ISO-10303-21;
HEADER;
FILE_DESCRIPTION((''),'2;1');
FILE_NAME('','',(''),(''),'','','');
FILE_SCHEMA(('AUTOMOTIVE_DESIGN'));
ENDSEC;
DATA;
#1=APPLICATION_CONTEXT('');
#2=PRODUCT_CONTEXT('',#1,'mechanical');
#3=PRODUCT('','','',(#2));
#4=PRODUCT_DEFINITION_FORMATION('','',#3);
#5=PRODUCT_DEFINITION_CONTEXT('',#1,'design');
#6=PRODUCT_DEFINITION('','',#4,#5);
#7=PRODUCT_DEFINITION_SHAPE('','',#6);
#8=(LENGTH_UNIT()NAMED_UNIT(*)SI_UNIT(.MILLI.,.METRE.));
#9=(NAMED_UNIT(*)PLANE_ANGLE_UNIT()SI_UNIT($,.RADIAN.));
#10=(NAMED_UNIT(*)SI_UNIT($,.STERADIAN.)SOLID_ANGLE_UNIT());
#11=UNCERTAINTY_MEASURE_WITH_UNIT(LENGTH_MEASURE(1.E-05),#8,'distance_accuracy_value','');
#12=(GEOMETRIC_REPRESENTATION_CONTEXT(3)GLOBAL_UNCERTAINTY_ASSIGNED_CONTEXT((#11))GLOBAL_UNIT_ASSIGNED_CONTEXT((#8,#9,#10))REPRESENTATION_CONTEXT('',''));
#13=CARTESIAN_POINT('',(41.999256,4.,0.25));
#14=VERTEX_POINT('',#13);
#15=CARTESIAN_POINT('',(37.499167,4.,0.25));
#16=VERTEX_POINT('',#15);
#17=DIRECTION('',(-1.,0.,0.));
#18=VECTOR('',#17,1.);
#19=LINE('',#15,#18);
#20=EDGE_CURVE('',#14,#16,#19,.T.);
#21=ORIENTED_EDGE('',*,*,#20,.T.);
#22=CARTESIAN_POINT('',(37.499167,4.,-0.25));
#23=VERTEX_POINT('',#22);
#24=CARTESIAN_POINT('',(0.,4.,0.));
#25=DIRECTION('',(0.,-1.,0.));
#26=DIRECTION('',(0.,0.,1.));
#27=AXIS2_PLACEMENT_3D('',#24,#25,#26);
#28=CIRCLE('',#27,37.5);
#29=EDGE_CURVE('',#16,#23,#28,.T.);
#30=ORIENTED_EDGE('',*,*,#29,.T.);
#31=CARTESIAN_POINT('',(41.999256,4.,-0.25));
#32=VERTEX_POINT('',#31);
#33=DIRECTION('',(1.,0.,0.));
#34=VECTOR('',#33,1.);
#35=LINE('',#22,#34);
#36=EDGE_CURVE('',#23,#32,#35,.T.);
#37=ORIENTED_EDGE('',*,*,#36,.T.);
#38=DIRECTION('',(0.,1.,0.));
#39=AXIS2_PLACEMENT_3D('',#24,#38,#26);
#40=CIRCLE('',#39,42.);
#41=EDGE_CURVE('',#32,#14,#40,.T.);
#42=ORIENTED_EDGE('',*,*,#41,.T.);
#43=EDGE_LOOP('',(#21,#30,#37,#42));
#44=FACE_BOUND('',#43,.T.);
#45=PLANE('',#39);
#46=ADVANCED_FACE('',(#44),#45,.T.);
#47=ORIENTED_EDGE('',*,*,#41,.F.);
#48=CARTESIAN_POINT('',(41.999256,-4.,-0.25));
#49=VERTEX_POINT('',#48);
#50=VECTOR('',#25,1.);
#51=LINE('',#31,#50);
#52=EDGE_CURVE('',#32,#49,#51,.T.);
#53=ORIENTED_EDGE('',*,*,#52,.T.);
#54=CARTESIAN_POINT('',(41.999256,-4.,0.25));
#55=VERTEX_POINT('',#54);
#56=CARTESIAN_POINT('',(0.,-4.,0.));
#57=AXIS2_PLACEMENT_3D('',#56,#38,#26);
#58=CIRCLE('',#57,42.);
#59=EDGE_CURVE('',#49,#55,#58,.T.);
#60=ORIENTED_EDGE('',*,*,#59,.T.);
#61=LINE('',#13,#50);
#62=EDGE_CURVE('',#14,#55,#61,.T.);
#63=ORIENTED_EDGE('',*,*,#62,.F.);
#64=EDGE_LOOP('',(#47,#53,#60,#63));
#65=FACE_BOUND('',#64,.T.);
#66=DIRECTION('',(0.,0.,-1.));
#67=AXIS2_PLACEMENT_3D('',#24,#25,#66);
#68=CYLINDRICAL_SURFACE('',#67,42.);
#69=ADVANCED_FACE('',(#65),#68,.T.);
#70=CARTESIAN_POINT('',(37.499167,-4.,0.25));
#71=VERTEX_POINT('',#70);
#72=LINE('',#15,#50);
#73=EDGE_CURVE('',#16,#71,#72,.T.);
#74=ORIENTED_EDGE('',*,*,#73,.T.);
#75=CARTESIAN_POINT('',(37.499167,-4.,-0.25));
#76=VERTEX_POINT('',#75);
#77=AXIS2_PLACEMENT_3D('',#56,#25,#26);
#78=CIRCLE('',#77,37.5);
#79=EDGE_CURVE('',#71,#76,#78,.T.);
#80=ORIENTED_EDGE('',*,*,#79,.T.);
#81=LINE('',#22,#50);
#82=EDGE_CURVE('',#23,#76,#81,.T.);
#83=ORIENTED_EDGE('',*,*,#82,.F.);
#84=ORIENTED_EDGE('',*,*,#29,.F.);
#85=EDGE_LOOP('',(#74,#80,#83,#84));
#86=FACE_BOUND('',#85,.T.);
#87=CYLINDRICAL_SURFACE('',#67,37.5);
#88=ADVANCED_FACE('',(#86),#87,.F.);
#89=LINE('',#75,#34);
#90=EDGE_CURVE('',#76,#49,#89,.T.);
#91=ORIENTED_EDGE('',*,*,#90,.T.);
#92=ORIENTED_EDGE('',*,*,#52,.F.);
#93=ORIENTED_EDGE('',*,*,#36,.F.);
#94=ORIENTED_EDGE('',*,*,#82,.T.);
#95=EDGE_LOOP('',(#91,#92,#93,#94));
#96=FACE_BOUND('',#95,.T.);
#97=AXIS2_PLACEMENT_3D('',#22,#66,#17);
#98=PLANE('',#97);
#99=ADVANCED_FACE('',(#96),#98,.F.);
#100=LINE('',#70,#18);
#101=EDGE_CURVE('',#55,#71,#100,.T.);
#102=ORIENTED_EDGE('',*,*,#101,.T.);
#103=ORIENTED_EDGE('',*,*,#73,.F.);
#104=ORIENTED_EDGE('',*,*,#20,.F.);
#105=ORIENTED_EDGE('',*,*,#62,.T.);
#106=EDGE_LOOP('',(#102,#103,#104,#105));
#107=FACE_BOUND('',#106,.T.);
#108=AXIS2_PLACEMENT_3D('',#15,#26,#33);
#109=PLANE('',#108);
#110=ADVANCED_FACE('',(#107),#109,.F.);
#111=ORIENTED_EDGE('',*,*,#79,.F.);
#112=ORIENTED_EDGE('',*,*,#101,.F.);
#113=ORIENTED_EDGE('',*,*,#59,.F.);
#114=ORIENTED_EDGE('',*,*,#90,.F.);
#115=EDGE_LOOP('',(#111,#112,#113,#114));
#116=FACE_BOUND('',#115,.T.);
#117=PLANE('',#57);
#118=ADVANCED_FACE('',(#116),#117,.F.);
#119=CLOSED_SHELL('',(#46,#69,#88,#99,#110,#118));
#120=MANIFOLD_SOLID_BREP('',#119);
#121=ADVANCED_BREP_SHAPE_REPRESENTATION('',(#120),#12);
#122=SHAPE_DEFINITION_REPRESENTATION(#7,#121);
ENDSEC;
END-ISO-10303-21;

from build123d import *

# Parameters (mm, degrees)
BOSS_EXTRUDE1_DEPTH = 4


with BuildPart() as part:
    # Sketch1 → Boss-Extrude1 (new, symmetric)
    with BuildSketch(Plane(origin=(0, 0, 0), x_dir=(1, 0, 0), z_dir=(0, 1, 0))):
        with BuildLine():
            Line((37.499166657, 0.25), (41.999255946, 0.25))
            ThreePointArc((41.999255946, 0.25), (-42, 0), (41.999255946, -0.25))
            Line((41.999255946, -0.25), (37.499166657, -0.25))
            ThreePointArc((37.499166657, -0.25), (-37.5, 0), (37.499166657, 0.25))
        make_face()
    extrude(amount=BOSS_EXTRUDE1_DEPTH, both=True)


solid = part.part
